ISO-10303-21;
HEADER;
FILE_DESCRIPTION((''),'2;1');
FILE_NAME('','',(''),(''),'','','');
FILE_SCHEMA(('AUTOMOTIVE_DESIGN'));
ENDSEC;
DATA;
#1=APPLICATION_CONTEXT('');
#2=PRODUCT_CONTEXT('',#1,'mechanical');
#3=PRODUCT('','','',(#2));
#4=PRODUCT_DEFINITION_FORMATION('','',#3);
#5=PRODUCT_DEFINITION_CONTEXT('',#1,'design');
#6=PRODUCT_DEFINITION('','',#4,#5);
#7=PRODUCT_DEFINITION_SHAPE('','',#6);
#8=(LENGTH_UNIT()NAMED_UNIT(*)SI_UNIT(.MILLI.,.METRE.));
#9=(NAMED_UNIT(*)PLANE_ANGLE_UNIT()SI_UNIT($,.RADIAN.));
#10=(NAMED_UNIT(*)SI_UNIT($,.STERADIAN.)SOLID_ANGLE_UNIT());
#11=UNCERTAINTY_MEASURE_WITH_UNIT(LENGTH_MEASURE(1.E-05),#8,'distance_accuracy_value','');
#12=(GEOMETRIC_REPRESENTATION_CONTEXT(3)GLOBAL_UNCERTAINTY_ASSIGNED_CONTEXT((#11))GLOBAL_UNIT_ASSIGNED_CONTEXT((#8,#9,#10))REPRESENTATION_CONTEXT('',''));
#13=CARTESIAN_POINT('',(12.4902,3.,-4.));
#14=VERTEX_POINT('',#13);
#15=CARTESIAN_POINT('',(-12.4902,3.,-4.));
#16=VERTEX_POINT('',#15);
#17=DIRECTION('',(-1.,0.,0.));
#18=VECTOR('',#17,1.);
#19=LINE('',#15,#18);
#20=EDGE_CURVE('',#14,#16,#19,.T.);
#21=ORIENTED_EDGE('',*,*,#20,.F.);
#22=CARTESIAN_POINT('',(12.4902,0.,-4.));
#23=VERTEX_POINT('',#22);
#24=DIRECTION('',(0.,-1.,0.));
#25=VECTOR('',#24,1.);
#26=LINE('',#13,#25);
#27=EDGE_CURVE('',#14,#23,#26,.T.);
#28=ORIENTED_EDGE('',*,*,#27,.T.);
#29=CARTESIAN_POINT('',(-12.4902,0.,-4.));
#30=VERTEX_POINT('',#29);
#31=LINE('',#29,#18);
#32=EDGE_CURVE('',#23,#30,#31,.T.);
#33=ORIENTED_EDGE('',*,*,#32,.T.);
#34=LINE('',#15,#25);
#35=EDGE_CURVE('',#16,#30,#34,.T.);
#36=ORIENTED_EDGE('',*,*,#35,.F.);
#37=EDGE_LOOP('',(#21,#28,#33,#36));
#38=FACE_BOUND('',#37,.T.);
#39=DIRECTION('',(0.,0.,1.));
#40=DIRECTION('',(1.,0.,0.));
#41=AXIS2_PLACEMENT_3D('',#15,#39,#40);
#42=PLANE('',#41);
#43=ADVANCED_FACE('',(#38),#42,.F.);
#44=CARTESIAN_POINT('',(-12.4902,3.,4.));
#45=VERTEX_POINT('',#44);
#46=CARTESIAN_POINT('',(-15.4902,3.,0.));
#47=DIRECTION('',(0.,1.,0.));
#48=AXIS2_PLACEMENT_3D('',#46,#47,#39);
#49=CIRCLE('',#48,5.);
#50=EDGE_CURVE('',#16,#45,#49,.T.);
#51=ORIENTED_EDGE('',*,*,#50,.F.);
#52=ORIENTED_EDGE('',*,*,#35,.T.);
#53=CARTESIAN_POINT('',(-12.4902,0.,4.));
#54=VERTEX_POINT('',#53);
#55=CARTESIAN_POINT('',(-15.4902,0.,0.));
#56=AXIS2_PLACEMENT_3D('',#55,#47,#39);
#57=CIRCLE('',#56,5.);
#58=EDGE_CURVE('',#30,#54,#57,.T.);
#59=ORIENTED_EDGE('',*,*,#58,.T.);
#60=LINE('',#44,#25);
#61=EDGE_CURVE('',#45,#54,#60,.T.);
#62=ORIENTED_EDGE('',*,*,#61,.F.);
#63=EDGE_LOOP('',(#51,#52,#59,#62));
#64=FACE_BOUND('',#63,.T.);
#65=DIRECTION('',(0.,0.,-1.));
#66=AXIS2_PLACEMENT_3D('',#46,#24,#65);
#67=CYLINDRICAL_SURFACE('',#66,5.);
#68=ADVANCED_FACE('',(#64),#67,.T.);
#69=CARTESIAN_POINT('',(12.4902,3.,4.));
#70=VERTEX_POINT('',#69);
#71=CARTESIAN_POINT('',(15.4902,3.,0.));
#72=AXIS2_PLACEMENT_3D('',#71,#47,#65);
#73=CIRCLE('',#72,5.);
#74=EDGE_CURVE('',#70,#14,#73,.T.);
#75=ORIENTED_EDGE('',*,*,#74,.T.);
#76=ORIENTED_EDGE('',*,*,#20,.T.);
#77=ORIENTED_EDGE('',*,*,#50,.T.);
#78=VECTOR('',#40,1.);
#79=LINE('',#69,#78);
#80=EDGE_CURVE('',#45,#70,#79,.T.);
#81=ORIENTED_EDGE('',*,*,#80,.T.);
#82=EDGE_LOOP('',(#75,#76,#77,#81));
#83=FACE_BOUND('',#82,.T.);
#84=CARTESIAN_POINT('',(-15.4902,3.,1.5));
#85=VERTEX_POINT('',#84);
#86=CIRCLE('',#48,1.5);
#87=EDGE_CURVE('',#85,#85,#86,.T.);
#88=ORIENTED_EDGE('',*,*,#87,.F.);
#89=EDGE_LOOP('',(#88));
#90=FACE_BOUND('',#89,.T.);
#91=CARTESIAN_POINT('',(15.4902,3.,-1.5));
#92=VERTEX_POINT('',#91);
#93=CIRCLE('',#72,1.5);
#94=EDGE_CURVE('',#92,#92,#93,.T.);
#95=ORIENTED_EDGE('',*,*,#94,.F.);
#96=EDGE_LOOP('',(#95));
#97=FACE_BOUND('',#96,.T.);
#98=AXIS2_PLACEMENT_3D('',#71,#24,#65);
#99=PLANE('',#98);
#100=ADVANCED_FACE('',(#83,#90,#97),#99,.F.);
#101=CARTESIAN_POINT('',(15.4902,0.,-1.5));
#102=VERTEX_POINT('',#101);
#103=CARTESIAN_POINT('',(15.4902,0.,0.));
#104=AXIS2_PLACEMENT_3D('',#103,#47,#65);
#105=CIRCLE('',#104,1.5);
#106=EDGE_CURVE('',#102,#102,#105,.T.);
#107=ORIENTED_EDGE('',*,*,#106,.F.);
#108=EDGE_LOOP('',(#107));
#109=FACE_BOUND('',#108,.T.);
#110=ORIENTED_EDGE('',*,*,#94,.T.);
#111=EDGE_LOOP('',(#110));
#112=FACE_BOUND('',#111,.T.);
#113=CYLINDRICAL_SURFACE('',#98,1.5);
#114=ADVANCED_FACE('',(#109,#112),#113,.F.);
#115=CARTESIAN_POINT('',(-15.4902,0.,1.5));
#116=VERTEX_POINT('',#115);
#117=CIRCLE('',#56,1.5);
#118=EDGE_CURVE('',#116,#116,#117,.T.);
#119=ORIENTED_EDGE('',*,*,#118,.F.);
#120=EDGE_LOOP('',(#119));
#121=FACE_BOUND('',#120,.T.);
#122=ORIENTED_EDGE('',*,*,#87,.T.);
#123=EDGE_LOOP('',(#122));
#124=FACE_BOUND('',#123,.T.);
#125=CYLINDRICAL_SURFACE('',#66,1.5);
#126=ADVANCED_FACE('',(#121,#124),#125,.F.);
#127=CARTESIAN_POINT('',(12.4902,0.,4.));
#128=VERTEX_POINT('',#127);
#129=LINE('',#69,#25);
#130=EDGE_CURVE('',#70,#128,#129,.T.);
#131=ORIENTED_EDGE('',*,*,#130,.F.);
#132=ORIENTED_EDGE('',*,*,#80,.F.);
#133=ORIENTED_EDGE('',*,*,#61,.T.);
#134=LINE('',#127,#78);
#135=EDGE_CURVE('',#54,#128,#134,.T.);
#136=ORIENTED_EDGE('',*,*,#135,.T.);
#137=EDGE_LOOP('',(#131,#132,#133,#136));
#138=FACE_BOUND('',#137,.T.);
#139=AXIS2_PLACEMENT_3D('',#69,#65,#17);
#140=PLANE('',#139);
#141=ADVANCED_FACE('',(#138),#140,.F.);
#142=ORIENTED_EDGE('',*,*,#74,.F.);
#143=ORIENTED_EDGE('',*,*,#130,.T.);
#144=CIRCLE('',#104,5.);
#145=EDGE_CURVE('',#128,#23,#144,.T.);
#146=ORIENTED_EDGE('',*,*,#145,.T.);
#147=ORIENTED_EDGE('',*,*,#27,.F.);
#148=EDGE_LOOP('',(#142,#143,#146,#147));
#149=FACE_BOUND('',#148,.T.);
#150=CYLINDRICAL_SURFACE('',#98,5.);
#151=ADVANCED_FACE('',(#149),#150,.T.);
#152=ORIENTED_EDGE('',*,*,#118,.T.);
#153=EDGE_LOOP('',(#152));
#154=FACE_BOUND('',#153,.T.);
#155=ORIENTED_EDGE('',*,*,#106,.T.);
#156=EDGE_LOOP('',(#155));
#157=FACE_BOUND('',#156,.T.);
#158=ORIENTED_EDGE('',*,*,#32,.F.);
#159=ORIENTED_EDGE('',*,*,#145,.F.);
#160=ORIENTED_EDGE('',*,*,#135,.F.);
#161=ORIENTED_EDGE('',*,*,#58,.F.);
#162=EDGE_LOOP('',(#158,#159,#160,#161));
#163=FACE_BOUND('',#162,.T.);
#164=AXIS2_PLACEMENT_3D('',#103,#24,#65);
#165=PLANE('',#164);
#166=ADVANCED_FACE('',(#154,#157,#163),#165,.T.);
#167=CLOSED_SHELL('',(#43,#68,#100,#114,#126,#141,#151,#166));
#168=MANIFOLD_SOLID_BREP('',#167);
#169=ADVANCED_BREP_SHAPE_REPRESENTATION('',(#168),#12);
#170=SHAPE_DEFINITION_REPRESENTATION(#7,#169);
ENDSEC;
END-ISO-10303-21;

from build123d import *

# Parameters (mm, degrees)
CROQUIS1_R              = 1.5
SALIENTE_EXTRUIR1_DEPTH = 3


with BuildPart() as part:
    # Croquis1 → Saliente-Extruir1 (new body)
    with BuildSketch(Plane(origin=(0, 0, 0), x_dir=(1, 0, 0), z_dir=(0, 1, 0))):
        with BuildLine():
            Line((-12.4902, 4), (12.4902, 4))
            ThreePointArc((12.4902, 4), (20.4902, 0), (12.4902, -4))
            Line((12.4902, -4), (-12.4902, -4))
            ThreePointArc((-12.4902, -4), (-20.4902, 0), (-12.4902, 4))
        make_face()
        with Locations(Location((-15.4902, 0, 0), (0, 0, 270))):
            Circle(CROQUIS1_R, mode=Mode.SUBTRACT)
        with Locations(Location((15.4902, 0, 0), (0, 0, 90))):
            Circle(CROQUIS1_R, mode=Mode.SUBTRACT)
    extrude(amount=SALIENTE_EXTRUIR1_DEPTH)


solid = part.part
